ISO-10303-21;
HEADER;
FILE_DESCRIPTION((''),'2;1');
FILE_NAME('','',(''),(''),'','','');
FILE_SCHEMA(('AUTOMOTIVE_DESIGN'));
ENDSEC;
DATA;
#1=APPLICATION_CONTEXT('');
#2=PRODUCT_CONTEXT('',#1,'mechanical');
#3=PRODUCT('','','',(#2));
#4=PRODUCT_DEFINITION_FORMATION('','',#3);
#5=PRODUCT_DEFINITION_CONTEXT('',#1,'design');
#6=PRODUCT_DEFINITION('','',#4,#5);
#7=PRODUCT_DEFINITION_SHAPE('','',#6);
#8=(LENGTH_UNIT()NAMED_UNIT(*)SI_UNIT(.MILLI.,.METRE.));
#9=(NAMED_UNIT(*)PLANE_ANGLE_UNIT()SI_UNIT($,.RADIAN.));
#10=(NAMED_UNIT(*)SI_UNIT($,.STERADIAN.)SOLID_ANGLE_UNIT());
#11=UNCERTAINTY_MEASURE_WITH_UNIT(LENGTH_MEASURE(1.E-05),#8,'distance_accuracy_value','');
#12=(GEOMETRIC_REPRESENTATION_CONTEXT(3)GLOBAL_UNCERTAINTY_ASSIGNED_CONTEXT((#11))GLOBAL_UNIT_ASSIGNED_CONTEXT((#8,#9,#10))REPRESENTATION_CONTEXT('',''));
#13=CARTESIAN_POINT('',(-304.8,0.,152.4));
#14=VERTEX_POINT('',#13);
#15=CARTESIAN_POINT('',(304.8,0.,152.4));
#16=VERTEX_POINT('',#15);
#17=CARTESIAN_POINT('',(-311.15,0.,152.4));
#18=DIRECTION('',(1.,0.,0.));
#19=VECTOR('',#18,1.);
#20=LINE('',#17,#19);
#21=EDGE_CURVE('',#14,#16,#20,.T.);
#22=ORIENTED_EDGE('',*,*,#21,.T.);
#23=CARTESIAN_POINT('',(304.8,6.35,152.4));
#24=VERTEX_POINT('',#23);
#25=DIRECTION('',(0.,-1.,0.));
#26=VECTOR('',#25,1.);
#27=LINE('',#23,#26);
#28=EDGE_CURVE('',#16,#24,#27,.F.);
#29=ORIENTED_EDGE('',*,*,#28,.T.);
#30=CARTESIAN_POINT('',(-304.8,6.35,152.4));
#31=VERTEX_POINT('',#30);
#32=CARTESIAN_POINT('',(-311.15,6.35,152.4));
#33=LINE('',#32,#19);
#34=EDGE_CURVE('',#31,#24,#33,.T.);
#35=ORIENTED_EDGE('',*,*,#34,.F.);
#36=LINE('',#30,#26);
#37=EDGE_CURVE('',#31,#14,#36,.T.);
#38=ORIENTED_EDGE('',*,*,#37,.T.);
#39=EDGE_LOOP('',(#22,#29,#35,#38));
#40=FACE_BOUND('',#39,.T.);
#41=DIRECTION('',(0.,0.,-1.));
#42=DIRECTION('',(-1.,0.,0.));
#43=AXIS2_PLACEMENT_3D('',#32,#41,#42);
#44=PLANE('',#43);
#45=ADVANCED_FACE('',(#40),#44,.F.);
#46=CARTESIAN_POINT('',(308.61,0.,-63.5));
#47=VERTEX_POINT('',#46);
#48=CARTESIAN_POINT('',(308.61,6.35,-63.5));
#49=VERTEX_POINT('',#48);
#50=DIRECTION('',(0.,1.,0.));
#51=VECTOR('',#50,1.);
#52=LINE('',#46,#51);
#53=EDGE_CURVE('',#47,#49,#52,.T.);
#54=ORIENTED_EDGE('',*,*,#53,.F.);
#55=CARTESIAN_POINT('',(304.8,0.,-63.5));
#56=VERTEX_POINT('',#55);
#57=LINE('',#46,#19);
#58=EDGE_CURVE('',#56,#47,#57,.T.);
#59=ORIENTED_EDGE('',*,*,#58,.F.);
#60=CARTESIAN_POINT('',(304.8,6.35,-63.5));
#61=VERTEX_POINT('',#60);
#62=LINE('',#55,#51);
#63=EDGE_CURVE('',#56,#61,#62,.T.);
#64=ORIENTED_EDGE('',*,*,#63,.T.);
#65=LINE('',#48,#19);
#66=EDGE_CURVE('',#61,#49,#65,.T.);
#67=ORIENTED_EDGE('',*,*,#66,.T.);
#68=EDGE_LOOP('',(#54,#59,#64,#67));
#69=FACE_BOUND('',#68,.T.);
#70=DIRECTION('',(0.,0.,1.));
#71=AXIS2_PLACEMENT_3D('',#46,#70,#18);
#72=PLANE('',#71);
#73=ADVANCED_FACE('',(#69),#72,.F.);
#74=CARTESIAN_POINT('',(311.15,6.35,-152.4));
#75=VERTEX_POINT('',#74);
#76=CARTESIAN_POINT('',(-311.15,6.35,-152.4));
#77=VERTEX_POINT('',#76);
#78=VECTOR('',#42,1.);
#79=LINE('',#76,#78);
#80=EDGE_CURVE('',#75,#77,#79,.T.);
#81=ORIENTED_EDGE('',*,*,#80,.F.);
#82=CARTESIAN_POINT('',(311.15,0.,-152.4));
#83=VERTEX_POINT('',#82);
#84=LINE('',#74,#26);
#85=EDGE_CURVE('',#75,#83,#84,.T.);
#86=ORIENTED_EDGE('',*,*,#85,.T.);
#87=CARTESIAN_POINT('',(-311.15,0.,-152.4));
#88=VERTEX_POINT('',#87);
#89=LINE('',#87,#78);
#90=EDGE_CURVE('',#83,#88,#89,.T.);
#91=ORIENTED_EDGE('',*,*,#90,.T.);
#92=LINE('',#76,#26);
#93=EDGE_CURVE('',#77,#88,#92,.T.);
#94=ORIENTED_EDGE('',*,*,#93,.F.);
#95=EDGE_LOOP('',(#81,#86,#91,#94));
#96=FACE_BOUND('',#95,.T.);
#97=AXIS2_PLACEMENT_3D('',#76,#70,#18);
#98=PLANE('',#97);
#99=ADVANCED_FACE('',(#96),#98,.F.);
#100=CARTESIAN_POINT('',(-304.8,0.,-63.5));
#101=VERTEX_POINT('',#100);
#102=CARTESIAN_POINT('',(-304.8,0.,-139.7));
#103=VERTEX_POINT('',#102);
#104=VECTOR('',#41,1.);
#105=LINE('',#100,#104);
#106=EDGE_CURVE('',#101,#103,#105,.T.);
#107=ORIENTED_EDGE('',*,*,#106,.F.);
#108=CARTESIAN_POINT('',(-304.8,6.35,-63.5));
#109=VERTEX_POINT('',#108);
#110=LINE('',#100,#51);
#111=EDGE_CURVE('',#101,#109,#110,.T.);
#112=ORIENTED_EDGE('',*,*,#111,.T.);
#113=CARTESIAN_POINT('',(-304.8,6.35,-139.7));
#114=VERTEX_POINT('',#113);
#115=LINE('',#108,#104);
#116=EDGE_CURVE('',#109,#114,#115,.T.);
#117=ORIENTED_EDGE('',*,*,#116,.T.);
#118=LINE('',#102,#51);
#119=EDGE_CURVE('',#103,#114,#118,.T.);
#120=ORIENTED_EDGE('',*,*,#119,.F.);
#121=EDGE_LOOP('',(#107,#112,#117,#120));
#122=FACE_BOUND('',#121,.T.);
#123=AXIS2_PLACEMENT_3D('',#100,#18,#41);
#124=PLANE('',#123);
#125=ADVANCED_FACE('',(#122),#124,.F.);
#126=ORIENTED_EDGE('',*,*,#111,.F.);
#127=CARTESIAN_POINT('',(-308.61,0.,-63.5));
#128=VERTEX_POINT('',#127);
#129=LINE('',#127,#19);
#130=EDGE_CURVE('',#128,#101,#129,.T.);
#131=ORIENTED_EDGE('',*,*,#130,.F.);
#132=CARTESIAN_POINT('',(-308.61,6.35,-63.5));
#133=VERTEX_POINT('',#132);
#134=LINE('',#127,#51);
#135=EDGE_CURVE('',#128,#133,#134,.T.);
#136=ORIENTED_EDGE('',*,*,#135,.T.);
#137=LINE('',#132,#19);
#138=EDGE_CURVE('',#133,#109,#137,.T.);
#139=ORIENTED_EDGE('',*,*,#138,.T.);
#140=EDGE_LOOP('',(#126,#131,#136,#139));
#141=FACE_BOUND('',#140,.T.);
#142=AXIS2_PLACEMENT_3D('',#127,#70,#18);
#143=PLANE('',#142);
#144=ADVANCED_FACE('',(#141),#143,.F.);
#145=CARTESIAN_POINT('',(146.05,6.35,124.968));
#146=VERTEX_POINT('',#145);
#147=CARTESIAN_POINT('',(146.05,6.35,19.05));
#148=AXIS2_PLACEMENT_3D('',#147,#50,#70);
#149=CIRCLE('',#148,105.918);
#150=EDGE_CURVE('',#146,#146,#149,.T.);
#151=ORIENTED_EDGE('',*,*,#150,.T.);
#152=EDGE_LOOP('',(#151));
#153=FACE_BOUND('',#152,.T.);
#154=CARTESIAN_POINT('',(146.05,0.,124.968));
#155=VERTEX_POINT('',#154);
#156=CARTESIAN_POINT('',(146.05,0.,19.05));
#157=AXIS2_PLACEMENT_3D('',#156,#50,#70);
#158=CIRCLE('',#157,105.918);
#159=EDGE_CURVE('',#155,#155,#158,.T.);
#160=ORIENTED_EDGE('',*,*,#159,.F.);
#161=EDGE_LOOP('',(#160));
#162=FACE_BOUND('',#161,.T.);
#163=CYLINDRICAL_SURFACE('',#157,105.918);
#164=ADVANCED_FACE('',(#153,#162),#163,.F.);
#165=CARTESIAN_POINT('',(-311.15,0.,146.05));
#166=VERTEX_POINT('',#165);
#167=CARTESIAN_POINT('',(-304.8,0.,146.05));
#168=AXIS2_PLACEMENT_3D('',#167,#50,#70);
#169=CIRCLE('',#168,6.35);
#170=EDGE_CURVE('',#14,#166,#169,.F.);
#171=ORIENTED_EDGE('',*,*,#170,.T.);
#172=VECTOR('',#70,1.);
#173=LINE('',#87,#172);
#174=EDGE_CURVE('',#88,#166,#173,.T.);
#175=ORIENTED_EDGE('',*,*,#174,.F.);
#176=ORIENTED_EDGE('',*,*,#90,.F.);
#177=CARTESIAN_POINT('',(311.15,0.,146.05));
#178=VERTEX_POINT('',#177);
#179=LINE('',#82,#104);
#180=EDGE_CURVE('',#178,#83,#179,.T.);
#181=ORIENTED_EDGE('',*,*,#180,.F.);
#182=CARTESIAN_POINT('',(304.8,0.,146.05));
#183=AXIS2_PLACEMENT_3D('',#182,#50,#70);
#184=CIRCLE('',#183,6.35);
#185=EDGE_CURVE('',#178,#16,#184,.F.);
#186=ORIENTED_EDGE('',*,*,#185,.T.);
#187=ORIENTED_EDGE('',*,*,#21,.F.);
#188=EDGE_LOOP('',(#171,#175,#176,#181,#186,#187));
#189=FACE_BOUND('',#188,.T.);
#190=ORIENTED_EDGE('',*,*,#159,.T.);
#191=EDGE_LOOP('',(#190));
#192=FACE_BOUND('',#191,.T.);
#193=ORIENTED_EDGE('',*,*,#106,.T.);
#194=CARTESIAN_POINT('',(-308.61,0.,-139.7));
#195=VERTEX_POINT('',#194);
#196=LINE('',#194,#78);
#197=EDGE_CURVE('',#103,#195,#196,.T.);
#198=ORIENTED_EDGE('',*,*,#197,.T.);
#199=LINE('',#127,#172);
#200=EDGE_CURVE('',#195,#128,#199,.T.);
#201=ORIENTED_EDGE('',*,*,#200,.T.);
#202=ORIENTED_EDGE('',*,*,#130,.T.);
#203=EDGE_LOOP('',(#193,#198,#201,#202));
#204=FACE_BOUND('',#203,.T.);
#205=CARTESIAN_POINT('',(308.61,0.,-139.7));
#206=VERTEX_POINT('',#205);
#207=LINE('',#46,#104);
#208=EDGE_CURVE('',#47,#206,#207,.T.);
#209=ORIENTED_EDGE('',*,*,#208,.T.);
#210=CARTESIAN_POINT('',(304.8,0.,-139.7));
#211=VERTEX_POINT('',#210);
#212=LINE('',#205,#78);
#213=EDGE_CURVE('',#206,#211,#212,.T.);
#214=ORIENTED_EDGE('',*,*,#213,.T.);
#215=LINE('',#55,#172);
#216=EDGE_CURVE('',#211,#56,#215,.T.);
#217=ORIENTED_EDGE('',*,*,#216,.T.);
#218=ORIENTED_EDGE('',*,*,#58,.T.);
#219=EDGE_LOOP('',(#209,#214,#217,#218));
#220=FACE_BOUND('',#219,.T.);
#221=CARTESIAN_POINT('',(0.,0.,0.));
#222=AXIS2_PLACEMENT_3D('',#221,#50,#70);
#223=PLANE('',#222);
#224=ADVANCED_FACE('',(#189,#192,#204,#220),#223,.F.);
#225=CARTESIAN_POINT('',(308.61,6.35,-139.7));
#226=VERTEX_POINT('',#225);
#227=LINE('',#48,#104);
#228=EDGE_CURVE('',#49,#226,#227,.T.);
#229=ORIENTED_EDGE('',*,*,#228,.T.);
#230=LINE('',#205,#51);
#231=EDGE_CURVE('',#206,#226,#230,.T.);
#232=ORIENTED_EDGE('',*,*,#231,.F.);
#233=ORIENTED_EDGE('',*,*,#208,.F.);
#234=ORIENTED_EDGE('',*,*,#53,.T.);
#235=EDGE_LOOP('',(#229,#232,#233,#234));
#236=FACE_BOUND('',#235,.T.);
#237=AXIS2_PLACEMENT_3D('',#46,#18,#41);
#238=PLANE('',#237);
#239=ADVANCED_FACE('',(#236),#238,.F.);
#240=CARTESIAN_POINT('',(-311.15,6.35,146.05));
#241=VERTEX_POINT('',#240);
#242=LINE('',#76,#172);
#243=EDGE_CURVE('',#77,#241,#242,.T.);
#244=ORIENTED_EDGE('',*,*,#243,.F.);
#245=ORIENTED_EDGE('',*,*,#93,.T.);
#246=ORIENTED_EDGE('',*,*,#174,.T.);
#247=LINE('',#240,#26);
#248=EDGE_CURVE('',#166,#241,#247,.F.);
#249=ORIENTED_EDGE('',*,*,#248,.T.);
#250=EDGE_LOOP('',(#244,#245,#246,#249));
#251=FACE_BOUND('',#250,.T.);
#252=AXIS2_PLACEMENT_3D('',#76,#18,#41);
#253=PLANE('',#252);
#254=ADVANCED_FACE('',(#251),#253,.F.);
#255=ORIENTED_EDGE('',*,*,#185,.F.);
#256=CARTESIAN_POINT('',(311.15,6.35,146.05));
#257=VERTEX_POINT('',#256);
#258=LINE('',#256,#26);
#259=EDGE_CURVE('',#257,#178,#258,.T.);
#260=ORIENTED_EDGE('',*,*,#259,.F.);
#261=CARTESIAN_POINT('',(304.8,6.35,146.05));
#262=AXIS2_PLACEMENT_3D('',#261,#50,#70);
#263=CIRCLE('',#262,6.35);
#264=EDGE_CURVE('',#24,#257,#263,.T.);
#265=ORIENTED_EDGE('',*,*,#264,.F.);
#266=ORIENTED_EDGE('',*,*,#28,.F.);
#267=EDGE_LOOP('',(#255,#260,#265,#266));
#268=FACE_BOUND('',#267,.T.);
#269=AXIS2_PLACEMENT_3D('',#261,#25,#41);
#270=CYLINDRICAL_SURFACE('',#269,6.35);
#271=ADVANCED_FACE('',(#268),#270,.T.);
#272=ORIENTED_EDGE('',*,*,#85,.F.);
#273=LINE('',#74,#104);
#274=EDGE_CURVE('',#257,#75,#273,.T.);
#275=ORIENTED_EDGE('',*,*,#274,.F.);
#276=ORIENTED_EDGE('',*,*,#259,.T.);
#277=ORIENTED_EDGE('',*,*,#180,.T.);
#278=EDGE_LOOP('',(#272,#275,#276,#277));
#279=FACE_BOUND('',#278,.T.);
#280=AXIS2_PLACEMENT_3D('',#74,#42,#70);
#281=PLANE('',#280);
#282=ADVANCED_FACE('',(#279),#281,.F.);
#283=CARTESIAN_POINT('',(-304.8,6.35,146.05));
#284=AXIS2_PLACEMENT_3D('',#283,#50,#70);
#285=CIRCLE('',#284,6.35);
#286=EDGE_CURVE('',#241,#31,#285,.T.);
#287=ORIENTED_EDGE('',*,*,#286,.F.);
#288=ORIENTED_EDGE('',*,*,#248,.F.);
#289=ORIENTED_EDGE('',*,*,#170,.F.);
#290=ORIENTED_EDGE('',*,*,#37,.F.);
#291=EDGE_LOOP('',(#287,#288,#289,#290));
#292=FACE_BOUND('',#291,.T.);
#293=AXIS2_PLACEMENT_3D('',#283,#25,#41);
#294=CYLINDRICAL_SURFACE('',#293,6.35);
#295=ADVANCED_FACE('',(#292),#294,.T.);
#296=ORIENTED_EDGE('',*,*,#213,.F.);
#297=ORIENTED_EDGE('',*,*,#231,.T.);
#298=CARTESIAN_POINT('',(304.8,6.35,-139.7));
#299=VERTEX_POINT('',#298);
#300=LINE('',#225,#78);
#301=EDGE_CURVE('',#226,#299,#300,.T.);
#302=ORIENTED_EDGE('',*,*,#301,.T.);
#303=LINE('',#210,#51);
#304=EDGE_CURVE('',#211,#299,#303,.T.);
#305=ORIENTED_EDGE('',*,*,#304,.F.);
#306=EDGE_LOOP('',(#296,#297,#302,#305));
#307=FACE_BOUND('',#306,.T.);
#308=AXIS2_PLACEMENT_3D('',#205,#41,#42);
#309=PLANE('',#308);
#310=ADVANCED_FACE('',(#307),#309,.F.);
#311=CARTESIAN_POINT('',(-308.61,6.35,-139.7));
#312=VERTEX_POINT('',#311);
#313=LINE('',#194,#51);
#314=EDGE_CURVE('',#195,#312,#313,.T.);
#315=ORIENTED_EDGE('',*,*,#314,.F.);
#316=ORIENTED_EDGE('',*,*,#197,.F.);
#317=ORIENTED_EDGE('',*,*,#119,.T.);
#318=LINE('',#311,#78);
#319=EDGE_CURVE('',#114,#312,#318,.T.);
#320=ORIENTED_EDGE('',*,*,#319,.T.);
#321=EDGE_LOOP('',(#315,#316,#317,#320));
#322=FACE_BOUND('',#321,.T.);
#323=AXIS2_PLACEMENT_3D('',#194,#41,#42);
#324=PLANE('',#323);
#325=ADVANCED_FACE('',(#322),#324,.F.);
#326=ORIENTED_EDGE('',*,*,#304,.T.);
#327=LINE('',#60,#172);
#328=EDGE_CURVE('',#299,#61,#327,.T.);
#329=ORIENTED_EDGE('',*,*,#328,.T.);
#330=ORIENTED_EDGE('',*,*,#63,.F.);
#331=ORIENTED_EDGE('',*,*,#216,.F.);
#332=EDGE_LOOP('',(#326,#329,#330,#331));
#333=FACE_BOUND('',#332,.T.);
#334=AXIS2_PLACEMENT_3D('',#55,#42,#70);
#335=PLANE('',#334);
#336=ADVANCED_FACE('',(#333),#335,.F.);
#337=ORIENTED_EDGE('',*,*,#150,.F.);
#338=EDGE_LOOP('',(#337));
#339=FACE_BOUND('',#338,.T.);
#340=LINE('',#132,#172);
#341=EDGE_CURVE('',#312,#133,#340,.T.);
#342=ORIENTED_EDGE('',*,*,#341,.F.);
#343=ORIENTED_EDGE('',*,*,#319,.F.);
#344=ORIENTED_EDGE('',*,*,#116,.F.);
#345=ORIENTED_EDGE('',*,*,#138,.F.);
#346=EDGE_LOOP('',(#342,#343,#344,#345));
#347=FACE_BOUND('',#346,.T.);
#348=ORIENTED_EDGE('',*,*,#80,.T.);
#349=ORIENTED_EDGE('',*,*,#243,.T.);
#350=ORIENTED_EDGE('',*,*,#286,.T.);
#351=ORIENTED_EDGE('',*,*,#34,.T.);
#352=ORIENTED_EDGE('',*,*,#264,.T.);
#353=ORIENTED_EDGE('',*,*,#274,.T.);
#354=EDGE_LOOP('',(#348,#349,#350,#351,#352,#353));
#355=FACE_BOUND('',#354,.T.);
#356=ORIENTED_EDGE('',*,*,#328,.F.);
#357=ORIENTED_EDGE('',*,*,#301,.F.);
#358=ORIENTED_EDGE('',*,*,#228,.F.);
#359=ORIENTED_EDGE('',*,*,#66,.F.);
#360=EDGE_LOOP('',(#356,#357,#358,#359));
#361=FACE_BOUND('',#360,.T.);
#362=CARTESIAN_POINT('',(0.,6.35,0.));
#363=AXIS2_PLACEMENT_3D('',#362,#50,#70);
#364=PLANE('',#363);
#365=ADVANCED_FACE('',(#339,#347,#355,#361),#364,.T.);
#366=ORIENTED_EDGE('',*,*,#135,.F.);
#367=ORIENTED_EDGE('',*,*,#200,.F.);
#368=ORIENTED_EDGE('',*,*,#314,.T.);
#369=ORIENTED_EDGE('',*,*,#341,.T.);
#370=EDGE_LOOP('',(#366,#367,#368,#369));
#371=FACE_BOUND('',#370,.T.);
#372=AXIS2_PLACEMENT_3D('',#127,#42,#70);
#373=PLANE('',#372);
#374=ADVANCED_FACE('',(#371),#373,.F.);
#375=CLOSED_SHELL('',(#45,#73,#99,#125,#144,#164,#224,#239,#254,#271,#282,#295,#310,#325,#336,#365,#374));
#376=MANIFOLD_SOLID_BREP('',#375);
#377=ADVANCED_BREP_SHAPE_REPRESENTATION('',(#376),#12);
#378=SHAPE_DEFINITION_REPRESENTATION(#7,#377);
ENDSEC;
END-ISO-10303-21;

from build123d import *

# Parameters (mm, degrees)
CROQUIS2_W              = 622.3
CROQUIS2_H              = 304.8
SALIENTE_EXTRUIR1_DEPTH = 6.35
REDONDEO1_R             = 6.35
CROQUIS4_W              = 3.81
CROQUIS4_H              = 76.2
CORTAR_EXTRUIR2_DEPTH   = 7.35
CROQUIS5_R              = 105.918
CORTAR_EXTRUIR3_DEPTH   = 7.35


with BuildPart() as part:
    # Croquis2 → Saliente-Extruir1 (new body)
    with BuildSketch(Plane(origin=(0, 0, 0), x_dir=(1, 0, 0), z_dir=(0, 1, 0))):
        Rectangle(CROQUIS2_W, CROQUIS2_H)
    extrude(amount=SALIENTE_EXTRUIR1_DEPTH)

    # Redondeo1
    redondeo1_edges = [part.edges().sort_by_distance(p)[0] for p in [
        (311.15, 3.175, 152.4),
        (-311.15, 3.175, 152.4),
    ]]
    fillet(redondeo1_edges, radius=REDONDEO1_R)

    # Croquis4 → Cortar-Extruir2 (cut, through all)
    with BuildSketch(Plane(origin=(0, 6.35, 0), x_dir=(1, 0, 0), z_dir=(0, 1, 0))):
        with Locations((-306.705, 101.6)):
            Rectangle(CROQUIS4_W, CROQUIS4_H)
        with Locations((306.705, 101.6)):
            Rectangle(CROQUIS4_W, CROQUIS4_H)
    extrude(amount=-CORTAR_EXTRUIR2_DEPTH, mode=Mode.SUBTRACT)

    # Croquis5 → Cortar-Extruir3 (cut, through all)
    with BuildSketch(Plane(origin=(0, 6.35, 0), x_dir=(1, 0, 0), z_dir=(0, 1, 0))):
        with Locations((146.05, -19.05)):
            Circle(CROQUIS5_R)
    extrude(amount=-CORTAR_EXTRUIR3_DEPTH, mode=Mode.SUBTRACT)


solid = part.part
